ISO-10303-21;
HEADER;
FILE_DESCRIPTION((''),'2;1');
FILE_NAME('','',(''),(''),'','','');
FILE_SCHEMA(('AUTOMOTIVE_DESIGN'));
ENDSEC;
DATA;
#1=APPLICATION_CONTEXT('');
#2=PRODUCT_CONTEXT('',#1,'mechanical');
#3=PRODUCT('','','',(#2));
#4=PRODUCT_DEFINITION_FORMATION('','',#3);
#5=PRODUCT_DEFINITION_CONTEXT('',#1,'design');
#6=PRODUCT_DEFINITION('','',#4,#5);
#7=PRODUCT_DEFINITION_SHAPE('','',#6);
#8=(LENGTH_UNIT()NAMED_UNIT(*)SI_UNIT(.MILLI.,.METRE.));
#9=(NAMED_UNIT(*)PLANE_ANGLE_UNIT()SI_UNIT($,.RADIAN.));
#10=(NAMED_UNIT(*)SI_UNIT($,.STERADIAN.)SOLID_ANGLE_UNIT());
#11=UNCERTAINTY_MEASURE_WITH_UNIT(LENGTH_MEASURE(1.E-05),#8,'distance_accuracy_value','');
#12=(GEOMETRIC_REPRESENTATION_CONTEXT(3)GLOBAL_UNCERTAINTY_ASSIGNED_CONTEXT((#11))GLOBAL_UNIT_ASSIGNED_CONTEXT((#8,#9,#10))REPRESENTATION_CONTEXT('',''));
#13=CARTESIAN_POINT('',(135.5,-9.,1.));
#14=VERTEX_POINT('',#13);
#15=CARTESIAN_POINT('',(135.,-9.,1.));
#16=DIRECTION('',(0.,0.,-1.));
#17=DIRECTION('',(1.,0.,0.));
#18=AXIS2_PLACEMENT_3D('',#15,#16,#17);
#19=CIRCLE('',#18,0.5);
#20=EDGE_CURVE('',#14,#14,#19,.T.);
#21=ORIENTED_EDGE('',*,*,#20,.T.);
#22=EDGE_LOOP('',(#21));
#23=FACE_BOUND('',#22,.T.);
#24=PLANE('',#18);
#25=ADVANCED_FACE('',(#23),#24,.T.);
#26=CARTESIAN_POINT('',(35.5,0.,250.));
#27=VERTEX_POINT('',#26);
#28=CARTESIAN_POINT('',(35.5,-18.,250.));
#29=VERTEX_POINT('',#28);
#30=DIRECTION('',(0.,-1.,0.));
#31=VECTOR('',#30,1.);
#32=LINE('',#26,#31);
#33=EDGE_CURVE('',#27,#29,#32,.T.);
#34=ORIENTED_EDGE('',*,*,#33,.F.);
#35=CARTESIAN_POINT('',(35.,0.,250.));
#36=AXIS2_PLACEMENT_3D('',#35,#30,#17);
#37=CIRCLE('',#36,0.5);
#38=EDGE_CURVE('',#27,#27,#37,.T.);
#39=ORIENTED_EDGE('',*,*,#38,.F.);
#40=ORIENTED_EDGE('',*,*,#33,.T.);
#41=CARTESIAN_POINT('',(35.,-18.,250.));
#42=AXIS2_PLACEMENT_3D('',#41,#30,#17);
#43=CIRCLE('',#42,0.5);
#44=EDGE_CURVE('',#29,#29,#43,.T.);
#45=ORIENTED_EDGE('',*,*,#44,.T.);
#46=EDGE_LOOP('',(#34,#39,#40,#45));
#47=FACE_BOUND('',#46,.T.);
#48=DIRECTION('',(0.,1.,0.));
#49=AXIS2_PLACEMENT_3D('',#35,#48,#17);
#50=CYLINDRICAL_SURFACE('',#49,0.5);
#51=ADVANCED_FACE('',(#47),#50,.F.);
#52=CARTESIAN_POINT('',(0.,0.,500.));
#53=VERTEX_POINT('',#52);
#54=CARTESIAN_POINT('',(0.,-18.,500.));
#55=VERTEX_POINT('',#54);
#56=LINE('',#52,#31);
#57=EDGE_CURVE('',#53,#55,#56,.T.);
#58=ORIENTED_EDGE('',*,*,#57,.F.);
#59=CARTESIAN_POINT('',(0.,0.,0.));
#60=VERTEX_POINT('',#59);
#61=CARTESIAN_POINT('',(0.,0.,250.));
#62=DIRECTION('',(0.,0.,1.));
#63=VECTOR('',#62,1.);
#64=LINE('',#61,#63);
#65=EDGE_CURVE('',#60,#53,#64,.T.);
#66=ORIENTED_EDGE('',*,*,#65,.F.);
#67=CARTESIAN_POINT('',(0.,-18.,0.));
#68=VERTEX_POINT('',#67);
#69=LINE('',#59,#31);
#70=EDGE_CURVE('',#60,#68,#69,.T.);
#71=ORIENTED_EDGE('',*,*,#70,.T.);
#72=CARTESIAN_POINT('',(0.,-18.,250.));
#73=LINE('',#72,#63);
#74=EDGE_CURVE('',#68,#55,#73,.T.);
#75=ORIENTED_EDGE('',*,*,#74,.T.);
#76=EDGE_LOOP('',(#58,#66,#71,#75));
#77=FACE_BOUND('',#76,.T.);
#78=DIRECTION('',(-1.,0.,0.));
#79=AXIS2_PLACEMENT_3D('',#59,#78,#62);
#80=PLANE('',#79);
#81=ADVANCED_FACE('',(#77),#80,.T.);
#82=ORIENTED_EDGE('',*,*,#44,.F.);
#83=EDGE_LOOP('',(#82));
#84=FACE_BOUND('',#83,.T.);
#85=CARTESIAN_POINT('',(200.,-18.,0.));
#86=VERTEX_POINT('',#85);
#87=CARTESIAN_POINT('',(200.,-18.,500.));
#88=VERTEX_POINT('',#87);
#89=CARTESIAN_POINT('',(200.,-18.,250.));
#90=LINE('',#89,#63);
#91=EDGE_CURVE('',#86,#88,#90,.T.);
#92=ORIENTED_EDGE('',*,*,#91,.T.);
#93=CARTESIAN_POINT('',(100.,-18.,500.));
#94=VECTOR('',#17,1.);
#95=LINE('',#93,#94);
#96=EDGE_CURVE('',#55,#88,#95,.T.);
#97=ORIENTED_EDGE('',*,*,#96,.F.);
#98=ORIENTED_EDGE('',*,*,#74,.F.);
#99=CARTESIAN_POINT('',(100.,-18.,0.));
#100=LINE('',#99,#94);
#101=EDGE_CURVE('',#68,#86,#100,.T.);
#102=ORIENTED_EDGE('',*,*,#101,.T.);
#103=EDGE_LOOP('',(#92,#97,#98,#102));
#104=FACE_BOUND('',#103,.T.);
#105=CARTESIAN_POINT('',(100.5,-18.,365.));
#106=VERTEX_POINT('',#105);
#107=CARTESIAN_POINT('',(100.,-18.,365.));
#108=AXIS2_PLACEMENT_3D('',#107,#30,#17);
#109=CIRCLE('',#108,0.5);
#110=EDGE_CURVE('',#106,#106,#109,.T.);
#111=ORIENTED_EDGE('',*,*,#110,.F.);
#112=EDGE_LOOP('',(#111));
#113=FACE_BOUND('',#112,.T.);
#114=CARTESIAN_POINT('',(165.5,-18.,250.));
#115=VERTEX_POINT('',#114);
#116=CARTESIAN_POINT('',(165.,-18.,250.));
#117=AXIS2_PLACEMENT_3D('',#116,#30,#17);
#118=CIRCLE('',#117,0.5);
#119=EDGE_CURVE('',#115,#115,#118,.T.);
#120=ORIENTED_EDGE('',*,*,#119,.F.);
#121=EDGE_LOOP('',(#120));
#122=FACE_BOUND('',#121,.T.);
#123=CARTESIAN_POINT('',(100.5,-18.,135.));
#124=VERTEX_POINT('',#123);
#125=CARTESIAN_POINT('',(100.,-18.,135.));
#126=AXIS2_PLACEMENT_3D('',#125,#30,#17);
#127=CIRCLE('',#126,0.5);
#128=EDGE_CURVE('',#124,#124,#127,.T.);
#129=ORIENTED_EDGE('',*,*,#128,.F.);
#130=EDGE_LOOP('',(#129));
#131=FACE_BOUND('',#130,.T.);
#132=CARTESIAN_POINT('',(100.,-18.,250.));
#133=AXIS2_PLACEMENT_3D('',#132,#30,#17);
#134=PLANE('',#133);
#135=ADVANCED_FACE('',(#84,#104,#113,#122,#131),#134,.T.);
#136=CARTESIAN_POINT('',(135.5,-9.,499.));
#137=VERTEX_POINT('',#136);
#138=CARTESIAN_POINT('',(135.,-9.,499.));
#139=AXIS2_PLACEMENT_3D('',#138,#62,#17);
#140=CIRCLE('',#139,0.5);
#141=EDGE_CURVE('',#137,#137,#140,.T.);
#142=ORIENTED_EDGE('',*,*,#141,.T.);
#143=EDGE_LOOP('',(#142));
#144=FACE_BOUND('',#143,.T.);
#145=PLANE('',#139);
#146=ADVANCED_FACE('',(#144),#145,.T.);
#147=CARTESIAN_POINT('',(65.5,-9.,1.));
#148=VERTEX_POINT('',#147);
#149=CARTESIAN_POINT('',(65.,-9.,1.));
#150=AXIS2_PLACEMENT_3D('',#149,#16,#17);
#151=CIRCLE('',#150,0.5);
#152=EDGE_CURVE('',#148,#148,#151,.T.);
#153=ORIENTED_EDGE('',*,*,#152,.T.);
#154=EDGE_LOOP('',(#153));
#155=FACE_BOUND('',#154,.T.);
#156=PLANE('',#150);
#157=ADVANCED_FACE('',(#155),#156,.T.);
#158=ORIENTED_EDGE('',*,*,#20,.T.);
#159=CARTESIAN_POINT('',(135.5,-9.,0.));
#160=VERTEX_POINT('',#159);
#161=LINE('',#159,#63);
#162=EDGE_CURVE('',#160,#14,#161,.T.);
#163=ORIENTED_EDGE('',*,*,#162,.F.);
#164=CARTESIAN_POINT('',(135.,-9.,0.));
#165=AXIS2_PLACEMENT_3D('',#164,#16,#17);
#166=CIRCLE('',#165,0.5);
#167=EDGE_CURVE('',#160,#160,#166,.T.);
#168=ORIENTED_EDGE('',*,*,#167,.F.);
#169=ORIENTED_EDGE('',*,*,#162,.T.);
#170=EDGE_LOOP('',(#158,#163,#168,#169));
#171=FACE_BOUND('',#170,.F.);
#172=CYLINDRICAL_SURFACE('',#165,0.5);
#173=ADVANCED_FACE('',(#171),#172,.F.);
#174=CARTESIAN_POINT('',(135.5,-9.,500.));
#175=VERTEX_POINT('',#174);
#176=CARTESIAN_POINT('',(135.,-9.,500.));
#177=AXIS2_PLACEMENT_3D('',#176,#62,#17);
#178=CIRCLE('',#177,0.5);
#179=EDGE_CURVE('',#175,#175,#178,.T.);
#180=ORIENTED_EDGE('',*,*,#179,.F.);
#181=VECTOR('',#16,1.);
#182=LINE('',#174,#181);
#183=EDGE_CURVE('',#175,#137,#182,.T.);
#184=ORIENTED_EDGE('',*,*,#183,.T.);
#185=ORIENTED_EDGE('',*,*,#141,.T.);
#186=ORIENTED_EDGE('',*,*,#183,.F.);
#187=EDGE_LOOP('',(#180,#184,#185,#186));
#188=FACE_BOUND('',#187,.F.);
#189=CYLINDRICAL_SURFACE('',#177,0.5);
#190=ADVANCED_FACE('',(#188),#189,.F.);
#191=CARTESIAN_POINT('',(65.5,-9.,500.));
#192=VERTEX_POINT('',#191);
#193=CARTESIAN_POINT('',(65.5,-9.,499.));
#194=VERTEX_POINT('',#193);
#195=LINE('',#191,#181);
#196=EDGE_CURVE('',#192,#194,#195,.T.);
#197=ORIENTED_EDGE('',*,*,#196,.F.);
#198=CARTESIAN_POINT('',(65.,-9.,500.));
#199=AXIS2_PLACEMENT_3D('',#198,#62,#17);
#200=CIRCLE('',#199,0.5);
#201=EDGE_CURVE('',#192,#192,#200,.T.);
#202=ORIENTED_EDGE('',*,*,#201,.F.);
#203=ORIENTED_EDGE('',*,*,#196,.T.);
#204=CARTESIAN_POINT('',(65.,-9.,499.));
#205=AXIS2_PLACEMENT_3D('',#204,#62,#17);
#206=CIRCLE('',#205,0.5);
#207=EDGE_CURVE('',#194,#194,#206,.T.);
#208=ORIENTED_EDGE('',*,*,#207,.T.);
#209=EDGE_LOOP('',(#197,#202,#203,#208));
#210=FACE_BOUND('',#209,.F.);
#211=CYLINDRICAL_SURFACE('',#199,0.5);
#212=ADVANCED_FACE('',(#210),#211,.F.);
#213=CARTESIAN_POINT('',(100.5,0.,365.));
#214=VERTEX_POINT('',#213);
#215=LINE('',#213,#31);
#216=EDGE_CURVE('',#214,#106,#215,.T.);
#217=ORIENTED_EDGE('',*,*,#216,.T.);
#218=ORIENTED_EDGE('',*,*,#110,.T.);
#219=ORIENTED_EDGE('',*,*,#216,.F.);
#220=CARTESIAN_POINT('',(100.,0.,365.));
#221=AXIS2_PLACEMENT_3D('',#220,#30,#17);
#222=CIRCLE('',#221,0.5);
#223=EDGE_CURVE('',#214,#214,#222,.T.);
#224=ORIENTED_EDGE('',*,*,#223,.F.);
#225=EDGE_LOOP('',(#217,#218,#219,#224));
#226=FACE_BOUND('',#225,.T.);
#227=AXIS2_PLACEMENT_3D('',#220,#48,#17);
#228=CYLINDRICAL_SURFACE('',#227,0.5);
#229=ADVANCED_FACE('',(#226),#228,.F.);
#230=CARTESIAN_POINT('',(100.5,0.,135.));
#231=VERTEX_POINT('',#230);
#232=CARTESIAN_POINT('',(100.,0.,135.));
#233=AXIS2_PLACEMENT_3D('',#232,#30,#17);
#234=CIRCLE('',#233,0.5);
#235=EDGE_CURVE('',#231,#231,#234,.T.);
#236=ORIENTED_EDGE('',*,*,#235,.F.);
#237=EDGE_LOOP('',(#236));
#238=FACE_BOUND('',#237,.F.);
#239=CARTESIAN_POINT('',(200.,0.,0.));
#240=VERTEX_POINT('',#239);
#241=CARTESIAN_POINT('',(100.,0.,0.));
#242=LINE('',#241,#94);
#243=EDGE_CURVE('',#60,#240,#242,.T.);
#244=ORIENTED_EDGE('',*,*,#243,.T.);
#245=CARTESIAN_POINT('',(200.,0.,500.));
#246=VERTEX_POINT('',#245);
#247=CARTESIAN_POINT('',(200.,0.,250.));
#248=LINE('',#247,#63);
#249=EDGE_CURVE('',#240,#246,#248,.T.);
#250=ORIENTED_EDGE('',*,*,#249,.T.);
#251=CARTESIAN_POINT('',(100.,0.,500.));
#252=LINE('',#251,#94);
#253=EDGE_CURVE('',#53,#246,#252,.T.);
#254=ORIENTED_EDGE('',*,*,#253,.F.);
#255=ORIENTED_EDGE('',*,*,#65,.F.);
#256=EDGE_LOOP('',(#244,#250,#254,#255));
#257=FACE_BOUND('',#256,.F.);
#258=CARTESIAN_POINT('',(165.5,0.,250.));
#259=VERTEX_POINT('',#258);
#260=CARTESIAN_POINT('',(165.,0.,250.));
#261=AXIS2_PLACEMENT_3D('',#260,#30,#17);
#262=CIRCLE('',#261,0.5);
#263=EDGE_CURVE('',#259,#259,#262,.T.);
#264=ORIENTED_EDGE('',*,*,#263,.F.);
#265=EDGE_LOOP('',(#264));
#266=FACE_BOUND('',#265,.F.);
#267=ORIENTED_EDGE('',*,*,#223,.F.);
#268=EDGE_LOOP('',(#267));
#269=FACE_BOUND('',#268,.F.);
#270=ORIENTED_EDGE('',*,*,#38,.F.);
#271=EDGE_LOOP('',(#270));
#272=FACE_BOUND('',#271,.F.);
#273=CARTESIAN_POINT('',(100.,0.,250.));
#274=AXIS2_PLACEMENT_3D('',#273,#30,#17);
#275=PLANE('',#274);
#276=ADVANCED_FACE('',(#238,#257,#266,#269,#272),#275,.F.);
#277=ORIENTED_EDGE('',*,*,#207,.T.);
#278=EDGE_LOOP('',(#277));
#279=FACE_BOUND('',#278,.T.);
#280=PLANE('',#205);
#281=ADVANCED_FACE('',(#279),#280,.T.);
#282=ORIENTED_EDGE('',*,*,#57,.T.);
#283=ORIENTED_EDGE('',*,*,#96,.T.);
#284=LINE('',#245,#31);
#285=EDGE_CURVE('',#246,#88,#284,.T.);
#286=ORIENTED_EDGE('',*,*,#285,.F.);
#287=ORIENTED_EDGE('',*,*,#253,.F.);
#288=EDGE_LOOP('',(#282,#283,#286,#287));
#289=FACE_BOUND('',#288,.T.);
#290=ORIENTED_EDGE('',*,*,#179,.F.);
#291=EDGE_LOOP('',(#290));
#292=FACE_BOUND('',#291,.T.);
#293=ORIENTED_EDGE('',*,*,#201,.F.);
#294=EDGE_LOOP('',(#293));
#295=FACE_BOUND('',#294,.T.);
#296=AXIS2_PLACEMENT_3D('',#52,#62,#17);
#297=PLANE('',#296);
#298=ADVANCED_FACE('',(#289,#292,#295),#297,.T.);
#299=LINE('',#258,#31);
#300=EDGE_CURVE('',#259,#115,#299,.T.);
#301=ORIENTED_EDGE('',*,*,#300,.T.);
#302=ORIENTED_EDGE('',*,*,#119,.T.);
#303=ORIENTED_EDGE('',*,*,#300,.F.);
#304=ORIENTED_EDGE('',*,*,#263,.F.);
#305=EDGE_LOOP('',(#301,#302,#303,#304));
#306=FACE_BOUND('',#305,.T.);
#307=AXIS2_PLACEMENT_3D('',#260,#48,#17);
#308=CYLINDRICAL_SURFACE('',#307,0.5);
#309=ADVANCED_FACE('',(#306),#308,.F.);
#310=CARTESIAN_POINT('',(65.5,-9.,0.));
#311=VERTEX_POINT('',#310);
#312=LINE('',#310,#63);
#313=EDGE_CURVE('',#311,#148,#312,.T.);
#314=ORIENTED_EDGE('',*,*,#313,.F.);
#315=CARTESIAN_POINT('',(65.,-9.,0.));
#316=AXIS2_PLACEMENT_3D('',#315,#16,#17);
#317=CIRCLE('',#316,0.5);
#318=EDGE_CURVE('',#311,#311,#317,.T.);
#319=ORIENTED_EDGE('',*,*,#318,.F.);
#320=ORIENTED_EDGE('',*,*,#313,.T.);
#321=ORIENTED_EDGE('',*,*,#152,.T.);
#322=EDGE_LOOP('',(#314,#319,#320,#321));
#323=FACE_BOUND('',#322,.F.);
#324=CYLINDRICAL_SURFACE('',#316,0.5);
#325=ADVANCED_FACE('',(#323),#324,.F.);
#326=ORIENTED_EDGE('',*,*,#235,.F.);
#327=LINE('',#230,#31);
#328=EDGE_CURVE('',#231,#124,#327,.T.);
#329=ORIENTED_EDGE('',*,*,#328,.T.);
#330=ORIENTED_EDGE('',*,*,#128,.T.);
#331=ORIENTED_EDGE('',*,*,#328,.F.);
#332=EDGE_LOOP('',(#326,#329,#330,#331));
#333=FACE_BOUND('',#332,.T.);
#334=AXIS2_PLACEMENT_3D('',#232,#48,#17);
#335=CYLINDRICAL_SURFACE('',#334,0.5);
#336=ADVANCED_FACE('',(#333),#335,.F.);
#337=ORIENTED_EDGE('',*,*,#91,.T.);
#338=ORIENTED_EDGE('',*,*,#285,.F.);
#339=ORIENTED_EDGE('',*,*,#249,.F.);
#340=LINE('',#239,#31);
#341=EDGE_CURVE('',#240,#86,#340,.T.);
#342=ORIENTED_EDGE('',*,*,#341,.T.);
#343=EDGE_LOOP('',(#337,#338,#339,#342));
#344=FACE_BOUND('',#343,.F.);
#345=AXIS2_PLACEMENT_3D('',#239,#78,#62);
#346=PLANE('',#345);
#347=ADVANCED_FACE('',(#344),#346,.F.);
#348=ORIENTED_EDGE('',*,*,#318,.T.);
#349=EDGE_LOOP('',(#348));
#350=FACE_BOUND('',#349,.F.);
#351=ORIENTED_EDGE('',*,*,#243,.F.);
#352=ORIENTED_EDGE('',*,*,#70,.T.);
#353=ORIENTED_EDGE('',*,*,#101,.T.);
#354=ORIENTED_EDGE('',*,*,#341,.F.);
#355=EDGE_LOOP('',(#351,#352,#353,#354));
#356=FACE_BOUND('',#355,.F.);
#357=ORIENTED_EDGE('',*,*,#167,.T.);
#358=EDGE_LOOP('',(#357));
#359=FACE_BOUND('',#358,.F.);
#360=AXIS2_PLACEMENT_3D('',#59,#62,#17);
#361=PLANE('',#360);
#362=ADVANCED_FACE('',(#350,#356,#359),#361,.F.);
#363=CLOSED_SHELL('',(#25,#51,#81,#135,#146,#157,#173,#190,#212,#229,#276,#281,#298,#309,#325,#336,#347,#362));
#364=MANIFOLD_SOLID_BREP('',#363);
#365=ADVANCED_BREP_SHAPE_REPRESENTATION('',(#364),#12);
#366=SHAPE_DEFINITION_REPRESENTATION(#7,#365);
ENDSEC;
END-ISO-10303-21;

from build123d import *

# Parameters (mm, degrees)
F0_W     = 200
F0_H     = 500
F0_R     = 0.5
F1_DEPTH = 18
F2_R     = 0.5
F3_DEPTH = 1
F4_R     = 0.5
F5_DEPTH = 1


with BuildPart() as f1:
    # F0 (on Front) → F1 (new body)
    with BuildSketch(Plane.XZ):
        with Locations((100, 250)):
            Rectangle(F0_W, F0_H)
        with Locations((100, 135)):
            Circle(F0_R, mode=Mode.SUBTRACT)
        with Locations((35, 250)):
            Circle(F0_R, mode=Mode.SUBTRACT)
        with Locations((100, 365)):
            Circle(F0_R, mode=Mode.SUBTRACT)
        with Locations((165, 250)):
            Circle(F0_R, mode=Mode.SUBTRACT)
    extrude(amount=F1_DEPTH)

    # F2 (on face) → F3 (cut)
    with BuildSketch(Plane.XY.offset(500)):
        with Locations((65, -9)):
            Circle(F2_R)
        with Locations((135, -9)):
            Circle(F2_R)
    extrude(amount=-F3_DEPTH, mode=Mode.SUBTRACT)

    # F4 (on face) → F5 (cut)
    with BuildSketch(Plane(origin=(0, 0, 0), x_dir=(1, 0, 0), z_dir=(0, 0, -1))):
        with Locations((65, 9)):
            Circle(F4_R)
        with Locations((135, 9)):
            Circle(F4_R)
    extrude(amount=-F5_DEPTH, mode=Mode.SUBTRACT)


solid = f1.part
